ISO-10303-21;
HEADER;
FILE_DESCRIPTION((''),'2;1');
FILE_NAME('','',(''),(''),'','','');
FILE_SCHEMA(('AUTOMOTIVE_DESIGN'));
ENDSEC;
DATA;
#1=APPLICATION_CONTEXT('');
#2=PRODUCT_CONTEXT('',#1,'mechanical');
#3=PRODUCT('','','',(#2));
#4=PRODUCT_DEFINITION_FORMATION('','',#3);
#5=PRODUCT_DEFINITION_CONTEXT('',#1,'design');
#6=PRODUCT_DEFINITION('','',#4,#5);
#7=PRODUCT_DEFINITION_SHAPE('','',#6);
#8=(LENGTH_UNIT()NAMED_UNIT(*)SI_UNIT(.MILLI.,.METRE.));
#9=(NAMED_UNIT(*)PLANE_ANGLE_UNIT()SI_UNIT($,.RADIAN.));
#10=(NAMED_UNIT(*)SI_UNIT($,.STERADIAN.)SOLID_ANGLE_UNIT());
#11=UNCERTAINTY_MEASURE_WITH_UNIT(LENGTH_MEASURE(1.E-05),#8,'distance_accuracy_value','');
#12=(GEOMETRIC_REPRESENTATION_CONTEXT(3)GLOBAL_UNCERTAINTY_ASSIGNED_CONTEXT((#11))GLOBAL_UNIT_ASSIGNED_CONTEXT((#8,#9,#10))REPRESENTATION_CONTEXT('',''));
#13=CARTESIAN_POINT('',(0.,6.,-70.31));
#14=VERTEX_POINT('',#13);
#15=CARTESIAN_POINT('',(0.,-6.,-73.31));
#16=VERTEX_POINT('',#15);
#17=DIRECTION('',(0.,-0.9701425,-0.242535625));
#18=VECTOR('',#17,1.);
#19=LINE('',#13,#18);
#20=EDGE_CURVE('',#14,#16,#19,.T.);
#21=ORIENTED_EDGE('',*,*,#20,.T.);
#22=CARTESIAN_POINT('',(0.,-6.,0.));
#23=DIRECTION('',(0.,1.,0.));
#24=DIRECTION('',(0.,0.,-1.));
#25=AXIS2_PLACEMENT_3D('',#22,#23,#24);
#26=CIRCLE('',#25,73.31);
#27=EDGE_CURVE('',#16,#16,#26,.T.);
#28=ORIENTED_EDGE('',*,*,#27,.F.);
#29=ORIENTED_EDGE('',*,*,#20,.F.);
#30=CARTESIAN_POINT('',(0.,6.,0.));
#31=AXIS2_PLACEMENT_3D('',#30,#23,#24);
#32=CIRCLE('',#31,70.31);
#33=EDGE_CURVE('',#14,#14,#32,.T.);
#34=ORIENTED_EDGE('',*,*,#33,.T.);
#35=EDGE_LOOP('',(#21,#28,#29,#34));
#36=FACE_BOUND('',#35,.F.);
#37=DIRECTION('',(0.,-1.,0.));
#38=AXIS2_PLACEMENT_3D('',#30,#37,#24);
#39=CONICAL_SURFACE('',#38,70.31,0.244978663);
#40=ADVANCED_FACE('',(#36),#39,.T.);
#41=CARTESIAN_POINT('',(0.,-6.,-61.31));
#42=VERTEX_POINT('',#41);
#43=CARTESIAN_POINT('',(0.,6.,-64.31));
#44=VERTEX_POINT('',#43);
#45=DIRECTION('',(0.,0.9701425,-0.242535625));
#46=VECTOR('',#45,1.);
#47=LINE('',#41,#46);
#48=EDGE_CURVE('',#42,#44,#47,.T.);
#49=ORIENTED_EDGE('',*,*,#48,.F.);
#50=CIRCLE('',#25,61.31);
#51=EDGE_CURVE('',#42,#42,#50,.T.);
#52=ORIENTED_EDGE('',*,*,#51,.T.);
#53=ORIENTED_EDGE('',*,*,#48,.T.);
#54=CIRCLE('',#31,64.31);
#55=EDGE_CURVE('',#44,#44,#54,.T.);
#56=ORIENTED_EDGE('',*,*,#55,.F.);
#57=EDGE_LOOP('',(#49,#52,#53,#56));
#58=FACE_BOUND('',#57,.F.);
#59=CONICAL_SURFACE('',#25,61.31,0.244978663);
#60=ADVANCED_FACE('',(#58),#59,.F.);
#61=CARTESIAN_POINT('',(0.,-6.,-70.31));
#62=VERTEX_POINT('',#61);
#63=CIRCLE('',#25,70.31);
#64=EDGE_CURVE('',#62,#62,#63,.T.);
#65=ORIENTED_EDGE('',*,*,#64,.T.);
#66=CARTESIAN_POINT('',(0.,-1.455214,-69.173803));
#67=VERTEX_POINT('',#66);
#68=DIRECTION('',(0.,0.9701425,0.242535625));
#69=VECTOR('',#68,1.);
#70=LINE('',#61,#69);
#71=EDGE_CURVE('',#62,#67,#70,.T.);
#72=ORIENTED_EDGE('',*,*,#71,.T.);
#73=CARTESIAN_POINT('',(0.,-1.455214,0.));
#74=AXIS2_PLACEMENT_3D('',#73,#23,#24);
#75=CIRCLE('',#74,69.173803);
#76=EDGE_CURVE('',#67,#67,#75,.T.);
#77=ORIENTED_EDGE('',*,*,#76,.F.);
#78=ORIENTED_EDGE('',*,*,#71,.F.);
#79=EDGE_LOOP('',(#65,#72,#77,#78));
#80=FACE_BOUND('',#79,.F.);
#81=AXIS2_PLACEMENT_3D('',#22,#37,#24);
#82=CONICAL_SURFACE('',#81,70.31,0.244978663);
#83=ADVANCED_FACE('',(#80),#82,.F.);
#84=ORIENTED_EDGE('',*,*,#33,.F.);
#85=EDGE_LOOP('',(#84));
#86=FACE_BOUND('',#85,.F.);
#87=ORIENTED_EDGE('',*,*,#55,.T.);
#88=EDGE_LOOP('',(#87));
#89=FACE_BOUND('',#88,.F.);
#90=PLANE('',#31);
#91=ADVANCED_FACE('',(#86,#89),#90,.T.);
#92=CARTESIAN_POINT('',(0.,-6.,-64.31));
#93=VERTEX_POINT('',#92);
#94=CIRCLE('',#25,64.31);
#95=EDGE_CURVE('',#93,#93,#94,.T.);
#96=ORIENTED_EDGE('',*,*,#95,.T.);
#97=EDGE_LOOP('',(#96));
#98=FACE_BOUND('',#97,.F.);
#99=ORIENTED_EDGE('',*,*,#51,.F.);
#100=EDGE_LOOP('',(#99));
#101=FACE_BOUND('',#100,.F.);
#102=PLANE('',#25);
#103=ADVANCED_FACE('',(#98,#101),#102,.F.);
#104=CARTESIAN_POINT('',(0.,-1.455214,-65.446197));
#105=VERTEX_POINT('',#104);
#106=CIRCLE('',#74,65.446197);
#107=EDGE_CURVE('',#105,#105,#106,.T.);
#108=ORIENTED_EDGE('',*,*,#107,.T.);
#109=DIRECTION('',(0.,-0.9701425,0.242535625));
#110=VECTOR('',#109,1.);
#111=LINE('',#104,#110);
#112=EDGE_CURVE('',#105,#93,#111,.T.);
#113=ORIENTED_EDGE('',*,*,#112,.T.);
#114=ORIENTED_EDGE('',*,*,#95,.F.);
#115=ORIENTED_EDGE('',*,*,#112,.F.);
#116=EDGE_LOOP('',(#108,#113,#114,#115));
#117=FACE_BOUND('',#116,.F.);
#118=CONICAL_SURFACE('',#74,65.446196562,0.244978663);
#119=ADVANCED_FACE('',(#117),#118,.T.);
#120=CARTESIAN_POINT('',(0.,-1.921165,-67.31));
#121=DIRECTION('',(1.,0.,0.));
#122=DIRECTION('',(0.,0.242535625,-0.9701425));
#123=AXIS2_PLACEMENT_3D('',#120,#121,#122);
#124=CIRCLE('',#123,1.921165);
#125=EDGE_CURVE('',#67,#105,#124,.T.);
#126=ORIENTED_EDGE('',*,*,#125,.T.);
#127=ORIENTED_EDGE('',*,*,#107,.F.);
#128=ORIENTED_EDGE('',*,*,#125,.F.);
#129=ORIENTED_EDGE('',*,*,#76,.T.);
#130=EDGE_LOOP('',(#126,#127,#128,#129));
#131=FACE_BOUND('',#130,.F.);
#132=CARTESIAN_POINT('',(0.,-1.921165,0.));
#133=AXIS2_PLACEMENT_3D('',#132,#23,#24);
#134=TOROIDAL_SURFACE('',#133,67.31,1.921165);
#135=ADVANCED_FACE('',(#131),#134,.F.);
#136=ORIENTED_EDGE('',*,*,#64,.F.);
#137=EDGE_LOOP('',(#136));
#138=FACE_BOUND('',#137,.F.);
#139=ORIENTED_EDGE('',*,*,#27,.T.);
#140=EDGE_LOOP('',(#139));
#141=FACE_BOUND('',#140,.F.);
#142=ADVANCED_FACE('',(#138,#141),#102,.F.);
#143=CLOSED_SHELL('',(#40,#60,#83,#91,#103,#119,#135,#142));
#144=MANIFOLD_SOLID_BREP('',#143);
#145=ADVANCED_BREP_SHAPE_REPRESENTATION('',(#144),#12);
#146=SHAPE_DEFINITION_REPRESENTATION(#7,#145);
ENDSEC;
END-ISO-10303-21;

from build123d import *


with BuildPart() as part:
    # Sketch1 → Revolve1 (revolve)
    with BuildSketch(Plane(origin=(0, 0, 0), x_dir=(0, 0, -1), z_dir=(1, 0, 0))):
        with BuildLine():
            Line((64.31, 6), (70.31, 6))
            Line((70.31, 6), (73.31, -6))
            Line((73.31, -6), (70.31, -6))
            Line((70.31, -6), (69.173803438, -1.45521375))
            ThreePointArc((69.173803438, -1.45521375), (67.31, 0), (65.446196562, -1.45521375))
            Line((65.446196562, -1.45521375), (64.31, -6))
            Line((64.31, -6), (61.31, -6))
            Line((61.31, -6), (64.31, 6))
        make_face()
    revolve(axis=Axis((0, 0, 0), (0, 1, 0)))


solid = part.part
